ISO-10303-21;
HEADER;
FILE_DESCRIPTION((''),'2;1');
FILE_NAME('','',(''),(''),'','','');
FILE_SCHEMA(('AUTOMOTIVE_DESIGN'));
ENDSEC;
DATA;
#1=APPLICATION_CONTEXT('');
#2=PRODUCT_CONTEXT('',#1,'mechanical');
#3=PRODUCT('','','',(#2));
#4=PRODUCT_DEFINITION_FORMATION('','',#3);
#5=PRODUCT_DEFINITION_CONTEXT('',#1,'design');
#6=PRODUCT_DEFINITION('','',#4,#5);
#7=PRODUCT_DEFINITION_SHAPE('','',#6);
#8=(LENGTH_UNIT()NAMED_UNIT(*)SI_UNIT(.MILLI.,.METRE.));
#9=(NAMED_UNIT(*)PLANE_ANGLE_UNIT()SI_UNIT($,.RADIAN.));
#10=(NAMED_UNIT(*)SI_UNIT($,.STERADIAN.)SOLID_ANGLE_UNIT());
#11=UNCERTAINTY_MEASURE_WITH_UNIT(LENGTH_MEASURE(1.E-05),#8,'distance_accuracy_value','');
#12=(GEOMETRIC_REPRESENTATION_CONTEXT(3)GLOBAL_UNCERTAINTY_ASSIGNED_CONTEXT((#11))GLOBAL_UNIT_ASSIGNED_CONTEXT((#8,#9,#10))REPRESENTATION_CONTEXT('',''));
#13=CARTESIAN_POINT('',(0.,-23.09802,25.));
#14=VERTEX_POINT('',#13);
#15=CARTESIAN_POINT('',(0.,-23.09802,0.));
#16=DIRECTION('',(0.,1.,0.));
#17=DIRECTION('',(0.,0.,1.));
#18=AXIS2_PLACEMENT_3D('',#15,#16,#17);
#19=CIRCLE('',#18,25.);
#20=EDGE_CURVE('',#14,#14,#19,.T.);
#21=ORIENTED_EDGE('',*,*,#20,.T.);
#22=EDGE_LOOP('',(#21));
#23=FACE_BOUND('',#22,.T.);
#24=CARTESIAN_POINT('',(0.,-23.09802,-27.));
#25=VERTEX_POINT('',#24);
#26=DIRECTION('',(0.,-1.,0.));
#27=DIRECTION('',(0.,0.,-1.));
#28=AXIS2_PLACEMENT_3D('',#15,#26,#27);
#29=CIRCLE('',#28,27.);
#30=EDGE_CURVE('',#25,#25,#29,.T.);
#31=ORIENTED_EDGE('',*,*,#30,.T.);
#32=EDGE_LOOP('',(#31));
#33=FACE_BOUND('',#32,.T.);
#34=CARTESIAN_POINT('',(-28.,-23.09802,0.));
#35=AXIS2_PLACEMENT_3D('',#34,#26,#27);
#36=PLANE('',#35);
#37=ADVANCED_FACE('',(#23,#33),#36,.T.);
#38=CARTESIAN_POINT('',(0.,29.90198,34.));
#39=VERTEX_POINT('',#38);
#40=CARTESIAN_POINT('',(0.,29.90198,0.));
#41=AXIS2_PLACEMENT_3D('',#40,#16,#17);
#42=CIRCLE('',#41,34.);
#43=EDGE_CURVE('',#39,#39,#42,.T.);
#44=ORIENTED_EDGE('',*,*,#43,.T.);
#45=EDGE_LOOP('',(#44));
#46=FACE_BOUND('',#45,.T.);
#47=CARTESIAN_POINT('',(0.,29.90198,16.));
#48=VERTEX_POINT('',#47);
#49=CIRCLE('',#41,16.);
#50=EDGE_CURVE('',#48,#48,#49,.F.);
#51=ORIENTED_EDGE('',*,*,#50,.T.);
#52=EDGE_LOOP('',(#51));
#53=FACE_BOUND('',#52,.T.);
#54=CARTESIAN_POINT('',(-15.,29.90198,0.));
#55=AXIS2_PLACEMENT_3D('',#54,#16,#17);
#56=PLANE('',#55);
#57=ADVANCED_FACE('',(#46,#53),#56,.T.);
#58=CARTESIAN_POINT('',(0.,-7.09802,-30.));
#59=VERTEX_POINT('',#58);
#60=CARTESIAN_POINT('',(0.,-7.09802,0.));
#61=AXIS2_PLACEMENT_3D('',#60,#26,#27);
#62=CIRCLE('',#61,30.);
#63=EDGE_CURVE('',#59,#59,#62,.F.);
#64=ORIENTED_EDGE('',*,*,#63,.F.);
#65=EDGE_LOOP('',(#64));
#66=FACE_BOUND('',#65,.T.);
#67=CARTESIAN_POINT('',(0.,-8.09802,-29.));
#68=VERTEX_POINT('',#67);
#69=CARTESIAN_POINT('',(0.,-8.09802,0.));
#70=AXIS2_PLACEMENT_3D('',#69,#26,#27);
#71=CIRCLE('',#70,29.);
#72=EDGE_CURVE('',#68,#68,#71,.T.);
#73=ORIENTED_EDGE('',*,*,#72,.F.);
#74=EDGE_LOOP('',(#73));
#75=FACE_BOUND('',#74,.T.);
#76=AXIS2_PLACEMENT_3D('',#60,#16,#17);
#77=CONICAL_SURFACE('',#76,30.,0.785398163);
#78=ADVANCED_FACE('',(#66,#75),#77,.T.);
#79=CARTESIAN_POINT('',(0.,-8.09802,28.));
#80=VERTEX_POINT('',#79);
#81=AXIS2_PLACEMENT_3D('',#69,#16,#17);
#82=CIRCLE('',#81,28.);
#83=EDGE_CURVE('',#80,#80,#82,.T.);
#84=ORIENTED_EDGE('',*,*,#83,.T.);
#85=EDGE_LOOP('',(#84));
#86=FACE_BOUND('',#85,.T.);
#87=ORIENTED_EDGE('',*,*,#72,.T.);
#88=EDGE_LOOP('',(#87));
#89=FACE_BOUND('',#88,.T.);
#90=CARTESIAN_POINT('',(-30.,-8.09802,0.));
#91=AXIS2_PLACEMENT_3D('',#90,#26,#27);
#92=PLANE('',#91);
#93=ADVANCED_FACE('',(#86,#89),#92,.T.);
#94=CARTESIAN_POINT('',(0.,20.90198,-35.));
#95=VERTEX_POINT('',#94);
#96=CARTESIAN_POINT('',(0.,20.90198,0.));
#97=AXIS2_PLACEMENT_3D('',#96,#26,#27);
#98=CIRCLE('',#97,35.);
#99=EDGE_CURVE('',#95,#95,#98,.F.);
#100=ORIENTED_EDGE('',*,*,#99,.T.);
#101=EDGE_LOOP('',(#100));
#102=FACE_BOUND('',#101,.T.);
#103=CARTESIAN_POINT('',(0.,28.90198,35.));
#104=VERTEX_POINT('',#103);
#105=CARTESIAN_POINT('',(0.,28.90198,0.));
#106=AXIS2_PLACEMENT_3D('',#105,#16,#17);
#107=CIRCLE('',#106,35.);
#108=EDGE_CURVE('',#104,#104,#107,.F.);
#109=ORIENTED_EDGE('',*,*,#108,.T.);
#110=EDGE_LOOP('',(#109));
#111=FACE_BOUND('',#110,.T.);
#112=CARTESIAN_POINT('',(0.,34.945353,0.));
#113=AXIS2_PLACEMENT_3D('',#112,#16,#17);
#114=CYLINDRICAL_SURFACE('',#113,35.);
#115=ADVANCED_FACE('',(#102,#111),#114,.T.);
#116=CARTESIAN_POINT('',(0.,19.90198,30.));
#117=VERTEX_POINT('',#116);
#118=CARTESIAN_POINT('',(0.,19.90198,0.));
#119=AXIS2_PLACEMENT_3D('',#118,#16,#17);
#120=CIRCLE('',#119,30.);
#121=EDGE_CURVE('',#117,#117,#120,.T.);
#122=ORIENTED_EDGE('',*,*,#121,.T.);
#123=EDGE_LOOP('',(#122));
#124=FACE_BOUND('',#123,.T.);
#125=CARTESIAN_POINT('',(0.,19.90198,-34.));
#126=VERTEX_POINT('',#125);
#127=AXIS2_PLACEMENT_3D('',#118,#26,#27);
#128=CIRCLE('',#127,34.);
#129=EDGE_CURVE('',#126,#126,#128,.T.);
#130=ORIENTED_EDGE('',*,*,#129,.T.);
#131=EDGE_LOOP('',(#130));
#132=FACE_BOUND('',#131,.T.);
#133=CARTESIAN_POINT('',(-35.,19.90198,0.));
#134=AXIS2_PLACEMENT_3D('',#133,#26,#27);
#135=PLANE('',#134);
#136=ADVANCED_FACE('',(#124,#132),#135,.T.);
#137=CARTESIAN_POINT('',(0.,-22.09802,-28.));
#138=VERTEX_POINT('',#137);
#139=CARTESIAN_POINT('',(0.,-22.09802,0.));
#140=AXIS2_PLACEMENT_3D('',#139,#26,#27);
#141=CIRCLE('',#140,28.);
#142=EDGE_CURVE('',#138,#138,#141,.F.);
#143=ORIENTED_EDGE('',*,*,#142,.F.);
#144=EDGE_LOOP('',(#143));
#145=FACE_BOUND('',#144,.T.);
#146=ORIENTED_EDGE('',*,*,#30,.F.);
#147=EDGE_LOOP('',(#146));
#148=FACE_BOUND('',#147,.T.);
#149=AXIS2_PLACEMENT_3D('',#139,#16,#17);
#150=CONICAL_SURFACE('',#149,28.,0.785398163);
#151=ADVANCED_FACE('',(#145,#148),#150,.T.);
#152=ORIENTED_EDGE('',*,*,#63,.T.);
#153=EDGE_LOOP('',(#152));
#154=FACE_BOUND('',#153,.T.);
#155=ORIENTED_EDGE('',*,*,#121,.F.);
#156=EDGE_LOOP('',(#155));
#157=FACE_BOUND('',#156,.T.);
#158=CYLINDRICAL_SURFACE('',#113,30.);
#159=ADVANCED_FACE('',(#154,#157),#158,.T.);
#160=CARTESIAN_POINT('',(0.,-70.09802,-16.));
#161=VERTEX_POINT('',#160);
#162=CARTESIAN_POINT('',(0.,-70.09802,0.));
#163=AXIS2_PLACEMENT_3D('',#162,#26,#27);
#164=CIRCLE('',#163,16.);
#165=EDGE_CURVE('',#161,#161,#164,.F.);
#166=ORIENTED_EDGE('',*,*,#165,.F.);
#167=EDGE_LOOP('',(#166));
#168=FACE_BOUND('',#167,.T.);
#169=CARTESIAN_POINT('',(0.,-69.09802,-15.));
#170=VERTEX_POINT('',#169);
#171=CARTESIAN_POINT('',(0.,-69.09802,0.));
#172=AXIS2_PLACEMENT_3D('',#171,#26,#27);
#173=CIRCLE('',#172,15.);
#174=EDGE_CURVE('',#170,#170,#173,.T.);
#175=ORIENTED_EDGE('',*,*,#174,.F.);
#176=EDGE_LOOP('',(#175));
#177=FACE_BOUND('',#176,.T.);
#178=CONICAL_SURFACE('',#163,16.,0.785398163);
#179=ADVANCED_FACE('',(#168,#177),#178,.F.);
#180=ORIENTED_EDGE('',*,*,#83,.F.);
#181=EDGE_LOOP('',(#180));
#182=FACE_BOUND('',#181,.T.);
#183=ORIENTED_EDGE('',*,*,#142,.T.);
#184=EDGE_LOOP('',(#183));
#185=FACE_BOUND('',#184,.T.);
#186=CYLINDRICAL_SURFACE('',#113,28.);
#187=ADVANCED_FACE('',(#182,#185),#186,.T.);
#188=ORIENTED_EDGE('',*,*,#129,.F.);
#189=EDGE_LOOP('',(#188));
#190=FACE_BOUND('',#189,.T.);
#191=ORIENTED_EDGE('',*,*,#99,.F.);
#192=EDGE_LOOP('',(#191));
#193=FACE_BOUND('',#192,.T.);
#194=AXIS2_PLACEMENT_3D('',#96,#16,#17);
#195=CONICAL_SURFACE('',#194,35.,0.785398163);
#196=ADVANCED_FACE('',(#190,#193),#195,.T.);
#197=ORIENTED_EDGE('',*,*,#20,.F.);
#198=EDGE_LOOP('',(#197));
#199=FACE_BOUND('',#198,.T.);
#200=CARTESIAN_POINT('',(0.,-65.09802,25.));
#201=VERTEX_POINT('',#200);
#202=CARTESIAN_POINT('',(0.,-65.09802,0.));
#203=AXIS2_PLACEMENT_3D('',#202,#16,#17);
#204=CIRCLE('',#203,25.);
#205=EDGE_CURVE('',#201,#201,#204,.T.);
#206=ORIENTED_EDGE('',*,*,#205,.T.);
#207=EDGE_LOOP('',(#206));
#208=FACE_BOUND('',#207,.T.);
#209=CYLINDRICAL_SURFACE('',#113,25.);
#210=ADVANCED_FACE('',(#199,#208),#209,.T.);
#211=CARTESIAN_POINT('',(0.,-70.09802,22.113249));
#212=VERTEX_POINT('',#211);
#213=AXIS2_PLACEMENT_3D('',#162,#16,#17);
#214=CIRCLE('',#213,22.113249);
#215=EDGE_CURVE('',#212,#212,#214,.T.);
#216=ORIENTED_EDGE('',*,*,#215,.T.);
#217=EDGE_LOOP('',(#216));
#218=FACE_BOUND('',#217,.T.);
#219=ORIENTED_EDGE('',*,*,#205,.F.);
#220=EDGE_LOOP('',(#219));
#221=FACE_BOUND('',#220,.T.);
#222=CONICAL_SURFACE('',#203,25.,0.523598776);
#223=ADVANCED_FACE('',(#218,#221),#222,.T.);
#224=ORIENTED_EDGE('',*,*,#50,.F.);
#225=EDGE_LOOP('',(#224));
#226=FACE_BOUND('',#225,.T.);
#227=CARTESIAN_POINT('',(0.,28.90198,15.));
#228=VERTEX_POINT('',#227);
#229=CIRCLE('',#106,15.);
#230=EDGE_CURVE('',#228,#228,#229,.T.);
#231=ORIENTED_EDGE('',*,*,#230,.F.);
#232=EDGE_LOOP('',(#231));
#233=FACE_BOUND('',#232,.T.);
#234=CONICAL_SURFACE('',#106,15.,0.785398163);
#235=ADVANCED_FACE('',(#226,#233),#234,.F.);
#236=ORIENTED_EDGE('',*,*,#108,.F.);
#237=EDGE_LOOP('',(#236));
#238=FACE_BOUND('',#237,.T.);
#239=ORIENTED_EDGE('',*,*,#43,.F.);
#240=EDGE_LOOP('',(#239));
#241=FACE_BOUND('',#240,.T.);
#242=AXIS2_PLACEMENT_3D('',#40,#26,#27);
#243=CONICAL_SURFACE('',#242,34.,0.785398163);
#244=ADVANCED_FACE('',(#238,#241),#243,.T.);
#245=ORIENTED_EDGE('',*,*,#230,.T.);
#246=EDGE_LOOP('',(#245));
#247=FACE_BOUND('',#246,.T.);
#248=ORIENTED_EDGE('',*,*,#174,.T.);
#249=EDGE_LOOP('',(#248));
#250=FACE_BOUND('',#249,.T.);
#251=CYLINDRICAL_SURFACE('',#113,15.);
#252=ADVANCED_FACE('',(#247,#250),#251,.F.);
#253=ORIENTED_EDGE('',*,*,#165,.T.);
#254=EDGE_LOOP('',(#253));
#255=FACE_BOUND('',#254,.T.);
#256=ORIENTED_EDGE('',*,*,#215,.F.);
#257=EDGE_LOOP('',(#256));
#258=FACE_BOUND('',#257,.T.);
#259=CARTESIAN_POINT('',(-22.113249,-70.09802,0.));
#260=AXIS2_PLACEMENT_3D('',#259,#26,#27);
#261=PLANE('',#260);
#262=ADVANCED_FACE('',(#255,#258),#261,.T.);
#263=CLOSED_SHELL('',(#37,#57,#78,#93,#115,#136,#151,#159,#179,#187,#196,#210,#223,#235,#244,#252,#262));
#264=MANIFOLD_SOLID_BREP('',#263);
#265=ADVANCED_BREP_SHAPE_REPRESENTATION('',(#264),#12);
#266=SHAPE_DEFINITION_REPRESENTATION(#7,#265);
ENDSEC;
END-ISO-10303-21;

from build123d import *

# Parameters (mm, degrees)
SFAZOWANIE1_SIZE = 1


with BuildPart() as part:
    # Szkic1 → Obrót1 (revolve)
    with BuildSketch(Plane.XY, mode=Mode.PRIVATE) as obr_t1_sk:
        Polygon((-15, -70.098020295), (-15, 29.901979705), (-35, 29.901979705), (-35, 19.901979705), (-30, 19.901979705), (-30, -8.098020295), (-28, -8.098020295), (-28, -23.098020295), (-25, -23.098020295), (-25, -65.098020295), (-22.113248654, -70.098020295), align=None)
    revolve(obr_t1_sk.sketch.rotate(Axis((0, 34.945352564, 0), (0, -1, 0)), 270), axis=Axis((0, 34.945352564, 0), (0, -1, 0)))

    # Sfazowanie1
    sfazowanie1_edges = [part.edges().sort_by_distance(p)[0] for p in [
        (0, 19.901979705, -35),
        (0, 29.901979705, -35),
        (0, 29.901979705, -15),
        (0, -70.098020295, -15),
        (0, -23.098020295, -28),
        (0, -8.098020295, -30),
    ]]
    chamfer(sfazowanie1_edges, length=SFAZOWANIE1_SIZE)


solid = part.part
